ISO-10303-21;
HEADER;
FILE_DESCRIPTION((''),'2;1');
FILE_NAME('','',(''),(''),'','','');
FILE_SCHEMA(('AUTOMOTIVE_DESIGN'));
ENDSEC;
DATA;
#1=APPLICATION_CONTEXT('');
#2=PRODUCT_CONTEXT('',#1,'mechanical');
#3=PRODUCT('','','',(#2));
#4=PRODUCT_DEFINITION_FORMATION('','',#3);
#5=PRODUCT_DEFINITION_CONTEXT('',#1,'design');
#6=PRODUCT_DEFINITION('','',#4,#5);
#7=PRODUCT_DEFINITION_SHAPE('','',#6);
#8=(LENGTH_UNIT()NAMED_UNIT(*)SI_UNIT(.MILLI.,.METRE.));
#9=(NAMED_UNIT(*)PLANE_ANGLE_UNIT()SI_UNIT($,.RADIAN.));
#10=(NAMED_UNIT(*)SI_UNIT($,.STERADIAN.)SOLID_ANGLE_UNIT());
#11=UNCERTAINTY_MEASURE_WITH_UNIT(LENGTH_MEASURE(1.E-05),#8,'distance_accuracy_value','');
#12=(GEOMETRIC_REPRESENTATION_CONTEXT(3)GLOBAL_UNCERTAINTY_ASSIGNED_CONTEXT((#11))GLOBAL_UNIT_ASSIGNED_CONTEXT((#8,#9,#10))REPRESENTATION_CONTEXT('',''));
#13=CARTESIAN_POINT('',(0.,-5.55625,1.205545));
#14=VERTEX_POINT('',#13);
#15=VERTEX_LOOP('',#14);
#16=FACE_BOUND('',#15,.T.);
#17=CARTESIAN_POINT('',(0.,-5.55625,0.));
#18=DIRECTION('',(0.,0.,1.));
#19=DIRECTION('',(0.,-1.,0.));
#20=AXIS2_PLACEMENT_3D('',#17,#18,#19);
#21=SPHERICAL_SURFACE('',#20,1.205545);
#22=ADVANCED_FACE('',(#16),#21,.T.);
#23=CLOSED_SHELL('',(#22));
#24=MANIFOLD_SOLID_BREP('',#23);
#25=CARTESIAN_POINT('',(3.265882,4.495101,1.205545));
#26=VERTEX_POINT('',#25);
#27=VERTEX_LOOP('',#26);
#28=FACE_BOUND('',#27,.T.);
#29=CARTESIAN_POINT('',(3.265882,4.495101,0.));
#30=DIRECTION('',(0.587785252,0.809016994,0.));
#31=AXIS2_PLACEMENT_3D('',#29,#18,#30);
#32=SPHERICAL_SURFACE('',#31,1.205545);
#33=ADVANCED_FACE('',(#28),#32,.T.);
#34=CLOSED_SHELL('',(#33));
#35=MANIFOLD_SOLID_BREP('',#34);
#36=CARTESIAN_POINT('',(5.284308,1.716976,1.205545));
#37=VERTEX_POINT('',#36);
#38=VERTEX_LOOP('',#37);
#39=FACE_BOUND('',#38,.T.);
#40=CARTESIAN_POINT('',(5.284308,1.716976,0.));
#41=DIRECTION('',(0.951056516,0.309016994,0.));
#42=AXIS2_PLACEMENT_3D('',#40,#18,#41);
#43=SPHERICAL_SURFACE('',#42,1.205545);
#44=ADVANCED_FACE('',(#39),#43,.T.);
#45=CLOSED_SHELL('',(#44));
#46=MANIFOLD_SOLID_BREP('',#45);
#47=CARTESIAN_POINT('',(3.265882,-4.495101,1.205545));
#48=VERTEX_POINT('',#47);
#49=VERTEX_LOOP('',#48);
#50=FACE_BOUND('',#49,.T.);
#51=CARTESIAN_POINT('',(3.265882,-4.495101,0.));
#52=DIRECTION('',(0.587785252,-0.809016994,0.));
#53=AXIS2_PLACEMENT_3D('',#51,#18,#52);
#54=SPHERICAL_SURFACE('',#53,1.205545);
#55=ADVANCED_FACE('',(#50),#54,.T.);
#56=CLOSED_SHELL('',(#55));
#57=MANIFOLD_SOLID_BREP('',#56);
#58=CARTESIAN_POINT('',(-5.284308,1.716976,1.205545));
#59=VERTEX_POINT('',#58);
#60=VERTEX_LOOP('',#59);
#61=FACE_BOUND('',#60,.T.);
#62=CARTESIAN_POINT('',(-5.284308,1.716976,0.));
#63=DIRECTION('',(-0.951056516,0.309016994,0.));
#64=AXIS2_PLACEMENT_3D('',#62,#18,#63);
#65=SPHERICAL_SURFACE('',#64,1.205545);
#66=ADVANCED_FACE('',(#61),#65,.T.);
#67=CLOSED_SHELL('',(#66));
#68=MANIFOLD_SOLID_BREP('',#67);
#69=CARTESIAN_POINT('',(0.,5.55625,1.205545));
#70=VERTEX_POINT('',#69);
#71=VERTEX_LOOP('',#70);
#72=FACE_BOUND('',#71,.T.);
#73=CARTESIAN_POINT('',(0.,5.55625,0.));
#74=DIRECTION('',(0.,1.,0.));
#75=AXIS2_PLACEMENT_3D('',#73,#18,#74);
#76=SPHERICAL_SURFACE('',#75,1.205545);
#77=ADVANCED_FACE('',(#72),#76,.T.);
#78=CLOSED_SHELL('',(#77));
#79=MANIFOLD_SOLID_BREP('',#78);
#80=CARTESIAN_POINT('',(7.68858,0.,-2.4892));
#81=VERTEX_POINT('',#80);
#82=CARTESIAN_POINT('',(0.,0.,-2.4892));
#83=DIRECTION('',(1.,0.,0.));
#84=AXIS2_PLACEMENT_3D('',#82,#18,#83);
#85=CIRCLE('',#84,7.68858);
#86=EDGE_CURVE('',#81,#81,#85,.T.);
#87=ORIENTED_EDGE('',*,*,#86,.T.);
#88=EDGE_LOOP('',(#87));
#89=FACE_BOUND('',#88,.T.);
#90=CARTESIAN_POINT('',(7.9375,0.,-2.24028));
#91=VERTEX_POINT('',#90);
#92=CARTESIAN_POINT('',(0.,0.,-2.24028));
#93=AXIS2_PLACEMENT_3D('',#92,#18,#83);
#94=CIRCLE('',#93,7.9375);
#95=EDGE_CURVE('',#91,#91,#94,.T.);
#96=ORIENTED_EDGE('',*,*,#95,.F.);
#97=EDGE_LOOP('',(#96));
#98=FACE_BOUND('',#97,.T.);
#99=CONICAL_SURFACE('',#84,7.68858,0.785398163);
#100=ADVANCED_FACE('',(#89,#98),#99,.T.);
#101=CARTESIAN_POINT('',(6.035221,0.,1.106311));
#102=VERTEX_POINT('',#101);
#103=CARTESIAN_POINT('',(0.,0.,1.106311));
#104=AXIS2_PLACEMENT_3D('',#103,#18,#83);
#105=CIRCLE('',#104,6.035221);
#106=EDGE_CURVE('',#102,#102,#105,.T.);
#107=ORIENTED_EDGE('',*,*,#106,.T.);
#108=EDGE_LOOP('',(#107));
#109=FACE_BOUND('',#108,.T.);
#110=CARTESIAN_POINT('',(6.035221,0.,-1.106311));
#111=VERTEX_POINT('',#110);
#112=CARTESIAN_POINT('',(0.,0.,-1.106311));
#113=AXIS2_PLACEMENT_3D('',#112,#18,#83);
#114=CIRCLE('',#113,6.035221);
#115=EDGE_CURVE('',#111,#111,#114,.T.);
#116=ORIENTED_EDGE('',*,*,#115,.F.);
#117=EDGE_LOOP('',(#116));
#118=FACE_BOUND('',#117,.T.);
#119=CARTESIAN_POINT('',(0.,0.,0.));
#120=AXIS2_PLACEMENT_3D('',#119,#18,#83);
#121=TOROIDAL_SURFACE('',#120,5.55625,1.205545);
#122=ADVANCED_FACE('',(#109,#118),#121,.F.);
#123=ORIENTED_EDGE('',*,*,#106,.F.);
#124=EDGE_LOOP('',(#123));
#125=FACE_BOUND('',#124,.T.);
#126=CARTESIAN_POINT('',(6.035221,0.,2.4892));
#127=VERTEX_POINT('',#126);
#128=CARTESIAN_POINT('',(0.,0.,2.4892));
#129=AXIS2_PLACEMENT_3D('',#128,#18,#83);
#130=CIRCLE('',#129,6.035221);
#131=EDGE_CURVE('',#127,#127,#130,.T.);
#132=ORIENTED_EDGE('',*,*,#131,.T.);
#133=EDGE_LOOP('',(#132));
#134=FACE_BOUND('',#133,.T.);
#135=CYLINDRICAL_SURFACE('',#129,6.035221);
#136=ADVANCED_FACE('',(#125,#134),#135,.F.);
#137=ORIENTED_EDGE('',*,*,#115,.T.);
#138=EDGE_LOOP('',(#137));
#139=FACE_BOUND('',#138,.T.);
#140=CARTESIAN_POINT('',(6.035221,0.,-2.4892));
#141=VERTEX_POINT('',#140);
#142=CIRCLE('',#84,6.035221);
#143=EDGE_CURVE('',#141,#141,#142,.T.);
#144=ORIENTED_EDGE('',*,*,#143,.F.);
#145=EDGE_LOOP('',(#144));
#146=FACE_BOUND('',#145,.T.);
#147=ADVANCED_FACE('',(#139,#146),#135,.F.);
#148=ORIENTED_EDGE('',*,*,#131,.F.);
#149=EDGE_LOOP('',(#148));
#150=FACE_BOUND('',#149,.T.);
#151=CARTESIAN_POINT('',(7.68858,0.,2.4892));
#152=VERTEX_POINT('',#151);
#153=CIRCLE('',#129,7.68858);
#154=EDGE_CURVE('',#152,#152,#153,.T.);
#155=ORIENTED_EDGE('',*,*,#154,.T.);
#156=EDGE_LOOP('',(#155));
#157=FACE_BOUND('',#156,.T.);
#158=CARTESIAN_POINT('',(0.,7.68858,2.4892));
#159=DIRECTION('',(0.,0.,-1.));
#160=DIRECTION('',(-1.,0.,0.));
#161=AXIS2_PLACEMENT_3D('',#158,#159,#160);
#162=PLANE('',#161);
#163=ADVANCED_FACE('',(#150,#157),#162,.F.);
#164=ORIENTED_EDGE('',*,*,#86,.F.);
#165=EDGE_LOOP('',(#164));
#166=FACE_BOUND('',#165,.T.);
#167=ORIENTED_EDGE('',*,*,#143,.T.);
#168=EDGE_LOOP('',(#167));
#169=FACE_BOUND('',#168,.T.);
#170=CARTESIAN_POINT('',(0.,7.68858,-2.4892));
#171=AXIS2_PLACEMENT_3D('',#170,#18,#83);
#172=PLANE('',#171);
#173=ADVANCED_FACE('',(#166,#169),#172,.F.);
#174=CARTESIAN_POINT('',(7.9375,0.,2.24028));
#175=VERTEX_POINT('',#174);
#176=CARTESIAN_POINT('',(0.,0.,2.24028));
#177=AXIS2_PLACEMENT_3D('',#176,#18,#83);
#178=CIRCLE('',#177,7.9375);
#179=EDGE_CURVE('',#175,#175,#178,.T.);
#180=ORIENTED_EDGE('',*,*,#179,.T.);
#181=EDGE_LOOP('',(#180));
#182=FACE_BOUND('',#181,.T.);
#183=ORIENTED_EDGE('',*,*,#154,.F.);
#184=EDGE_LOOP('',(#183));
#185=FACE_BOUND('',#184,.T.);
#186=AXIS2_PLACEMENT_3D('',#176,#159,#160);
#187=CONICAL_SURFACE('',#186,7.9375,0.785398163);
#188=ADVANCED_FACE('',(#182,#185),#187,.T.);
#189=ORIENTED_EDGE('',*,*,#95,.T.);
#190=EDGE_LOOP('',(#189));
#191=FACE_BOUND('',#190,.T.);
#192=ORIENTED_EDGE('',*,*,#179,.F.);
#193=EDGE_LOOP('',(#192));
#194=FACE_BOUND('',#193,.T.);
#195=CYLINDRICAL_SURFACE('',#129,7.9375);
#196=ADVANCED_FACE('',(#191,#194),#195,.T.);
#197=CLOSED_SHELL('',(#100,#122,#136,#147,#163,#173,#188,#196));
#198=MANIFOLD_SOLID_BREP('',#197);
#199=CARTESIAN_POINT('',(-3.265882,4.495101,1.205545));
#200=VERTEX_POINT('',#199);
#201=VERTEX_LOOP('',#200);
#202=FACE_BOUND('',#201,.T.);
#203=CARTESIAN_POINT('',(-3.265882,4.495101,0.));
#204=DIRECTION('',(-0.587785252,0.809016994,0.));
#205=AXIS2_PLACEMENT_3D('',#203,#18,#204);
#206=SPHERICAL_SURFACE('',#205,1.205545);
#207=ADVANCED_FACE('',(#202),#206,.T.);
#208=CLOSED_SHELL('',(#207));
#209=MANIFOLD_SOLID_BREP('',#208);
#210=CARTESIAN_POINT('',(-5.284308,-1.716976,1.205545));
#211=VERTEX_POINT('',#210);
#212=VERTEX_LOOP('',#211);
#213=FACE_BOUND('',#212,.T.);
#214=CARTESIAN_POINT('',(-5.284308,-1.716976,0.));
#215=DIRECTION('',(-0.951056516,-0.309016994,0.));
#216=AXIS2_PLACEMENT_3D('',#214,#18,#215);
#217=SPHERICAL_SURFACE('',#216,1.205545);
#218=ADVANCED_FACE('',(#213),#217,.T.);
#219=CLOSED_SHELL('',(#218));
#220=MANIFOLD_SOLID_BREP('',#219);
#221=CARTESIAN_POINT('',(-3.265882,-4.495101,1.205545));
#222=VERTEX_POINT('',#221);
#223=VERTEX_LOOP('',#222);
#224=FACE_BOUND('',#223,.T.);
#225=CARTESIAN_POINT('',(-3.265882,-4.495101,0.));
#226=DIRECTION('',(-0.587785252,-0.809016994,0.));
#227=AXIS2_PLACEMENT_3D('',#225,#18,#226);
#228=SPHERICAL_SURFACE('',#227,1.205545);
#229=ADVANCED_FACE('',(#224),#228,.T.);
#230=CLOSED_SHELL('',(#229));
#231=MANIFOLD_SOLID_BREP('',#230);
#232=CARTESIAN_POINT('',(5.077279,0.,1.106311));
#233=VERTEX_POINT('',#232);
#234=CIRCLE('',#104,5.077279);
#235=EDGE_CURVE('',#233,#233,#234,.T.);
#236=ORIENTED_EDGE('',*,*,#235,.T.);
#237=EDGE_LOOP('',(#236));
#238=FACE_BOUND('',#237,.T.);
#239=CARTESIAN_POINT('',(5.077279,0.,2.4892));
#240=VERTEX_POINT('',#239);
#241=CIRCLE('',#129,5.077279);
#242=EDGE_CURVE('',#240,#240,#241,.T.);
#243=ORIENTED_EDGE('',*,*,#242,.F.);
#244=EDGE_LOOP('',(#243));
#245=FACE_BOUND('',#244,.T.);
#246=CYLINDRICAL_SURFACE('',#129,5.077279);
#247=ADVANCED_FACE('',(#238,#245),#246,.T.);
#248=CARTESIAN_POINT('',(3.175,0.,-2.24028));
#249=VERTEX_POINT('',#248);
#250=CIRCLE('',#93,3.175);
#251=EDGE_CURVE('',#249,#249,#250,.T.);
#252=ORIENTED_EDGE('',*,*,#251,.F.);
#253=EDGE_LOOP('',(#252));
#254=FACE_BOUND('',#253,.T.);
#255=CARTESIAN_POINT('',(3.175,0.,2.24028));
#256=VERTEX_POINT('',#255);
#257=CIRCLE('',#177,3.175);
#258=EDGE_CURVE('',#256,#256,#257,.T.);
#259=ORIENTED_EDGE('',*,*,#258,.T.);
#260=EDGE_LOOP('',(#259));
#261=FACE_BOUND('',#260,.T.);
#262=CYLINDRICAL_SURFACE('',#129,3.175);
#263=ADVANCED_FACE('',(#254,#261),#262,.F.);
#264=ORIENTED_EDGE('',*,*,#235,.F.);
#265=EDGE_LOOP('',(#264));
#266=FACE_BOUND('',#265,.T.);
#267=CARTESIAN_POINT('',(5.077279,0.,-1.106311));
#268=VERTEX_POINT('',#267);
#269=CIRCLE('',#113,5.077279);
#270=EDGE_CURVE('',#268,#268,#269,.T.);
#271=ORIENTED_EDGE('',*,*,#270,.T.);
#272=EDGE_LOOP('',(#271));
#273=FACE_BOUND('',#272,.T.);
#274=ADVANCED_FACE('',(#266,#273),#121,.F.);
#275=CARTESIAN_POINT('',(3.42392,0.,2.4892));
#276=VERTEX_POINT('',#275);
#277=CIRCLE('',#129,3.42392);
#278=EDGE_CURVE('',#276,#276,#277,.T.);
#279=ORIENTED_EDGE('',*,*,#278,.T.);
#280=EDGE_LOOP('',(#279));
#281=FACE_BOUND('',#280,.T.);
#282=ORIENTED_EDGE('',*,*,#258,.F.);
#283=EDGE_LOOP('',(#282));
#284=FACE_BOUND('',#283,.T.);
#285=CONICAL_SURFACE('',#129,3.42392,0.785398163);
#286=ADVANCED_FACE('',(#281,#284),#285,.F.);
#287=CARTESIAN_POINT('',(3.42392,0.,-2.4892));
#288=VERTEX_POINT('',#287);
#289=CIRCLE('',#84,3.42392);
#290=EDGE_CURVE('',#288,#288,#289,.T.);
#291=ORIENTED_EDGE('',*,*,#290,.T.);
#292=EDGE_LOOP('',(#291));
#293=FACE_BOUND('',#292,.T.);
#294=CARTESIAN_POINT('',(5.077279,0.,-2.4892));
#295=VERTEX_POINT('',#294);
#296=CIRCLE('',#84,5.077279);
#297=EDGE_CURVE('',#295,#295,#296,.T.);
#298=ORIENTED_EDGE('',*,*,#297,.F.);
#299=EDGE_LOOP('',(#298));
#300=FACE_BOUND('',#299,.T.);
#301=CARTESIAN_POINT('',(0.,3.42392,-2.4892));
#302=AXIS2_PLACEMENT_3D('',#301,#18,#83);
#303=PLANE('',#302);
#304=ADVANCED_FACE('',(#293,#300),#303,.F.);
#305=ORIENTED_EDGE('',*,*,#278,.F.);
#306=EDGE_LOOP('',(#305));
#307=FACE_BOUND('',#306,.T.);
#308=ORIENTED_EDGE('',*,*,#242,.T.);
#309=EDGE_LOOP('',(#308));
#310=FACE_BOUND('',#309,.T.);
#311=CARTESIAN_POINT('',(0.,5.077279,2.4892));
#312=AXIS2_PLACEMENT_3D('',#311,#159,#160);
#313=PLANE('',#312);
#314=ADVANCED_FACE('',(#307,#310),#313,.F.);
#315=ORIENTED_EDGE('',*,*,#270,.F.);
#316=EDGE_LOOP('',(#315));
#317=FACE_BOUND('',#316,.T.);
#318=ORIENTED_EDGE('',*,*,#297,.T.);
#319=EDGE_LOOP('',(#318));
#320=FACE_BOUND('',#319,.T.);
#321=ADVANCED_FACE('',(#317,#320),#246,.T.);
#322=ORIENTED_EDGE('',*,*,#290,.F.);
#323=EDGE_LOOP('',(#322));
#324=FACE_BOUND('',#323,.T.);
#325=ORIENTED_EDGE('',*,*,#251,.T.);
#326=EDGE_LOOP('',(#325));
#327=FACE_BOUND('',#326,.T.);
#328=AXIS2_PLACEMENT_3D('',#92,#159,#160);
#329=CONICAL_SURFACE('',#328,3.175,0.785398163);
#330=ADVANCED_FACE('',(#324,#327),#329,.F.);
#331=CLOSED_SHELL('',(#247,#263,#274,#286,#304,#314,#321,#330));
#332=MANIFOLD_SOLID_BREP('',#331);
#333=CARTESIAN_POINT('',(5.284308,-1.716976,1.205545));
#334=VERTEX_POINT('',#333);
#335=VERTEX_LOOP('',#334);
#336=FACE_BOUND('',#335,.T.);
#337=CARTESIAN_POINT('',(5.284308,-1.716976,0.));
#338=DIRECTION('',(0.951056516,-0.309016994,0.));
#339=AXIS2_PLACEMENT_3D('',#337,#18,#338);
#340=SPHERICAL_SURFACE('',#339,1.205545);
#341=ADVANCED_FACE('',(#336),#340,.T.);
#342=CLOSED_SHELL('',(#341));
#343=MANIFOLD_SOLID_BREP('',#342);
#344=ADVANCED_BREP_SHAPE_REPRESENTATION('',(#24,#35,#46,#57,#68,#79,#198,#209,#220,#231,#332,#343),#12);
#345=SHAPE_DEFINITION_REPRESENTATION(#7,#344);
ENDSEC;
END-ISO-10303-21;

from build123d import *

# Parameters (mm, degrees)
CIRPATTERN1_COUNT = 10


with BuildPart() as part:
    # Sketch1 → Revolve1 (revolve)
    with BuildSketch(Plane(origin=(0, 0, 0), x_dir=(0, 0, -1), z_dir=(1, 0, 0))):
        with BuildLine():
            Line((2.24028, 7.9375), (-2.24028, 7.9375))
            Line((-2.24028, 7.9375), (-2.4892, 7.68858))
            Line((-2.4892, 7.68858), (-2.4892, 6.035221429))
            Line((-2.4892, 6.035221429), (-1.106311111, 6.035221429))
            ThreePointArc((-1.106311111, 6.035221429), (0, 6.76179465), (1.106311111, 6.035221429))
            Line((1.106311111, 6.035221429), (2.4892, 6.035221429))
            Line((2.4892, 6.035221429), (2.4892, 7.68858))
            Line((2.4892, 7.68858), (2.24028, 7.9375))
        make_face()
    revolve(axis=Axis((0, 0, 2.4892), (0, 0, -1)))


with BuildPart() as body_2:
    # Sketch3 → Revolve3 (revolve)
    with BuildSketch(Plane(origin=(0, 0, 0), x_dir=(0, 0, -1), z_dir=(1, 0, 0))):
        with BuildLine():
            Line((-2.4892, 5.077278571), (-1.106311111, 5.077278571))
            ThreePointArc((-1.106311111, 5.077278571), (0, 4.35070535), (1.106311111, 5.077278571))
            Line((1.106311111, 5.077278571), (2.4892, 5.077278571))
            Line((2.4892, 5.077278571), (2.4892, 3.42392))
            Line((2.4892, 3.42392), (2.24028, 3.175))
            Line((2.24028, 3.175), (-2.24028, 3.175))
            Line((-2.24028, 3.175), (-2.4892, 3.42392))
            Line((-2.4892, 3.42392), (-2.4892, 5.077278571))
        make_face()
    revolve(axis=Axis((0, 0, 2.4892), (0, 0, -1)))


with BuildPart() as body_3:
    # Sketch4 → Revolve4 (revolve)
    with BuildSketch(Plane(origin=(0, 0, 0), x_dir=(0, 0, -1), z_dir=(1, 0, 0))):
        with BuildLine():
            Line((-1.20554465, 5.55625), (1.20554465, 5.55625))
            ThreePointArc((1.20554465, 5.55625), (0, 6.76179465), (-1.20554465, 5.55625))
        make_face()
    revolve(axis=Axis((0, 5.55625, 1.20554465), (0, 0, -1)))


with BuildPart() as cirpattern1_1:
    # CirPattern1: pattern copy
    add(body_3.part.rotate(Axis((0, 0, -2.4892), (0, 0, 1)), 1 * 360 / CIRPATTERN1_COUNT))


with BuildPart() as cirpattern1_2:
    # CirPattern1: pattern copy
    add(body_3.part.rotate(Axis((0, 0, -2.4892), (0, 0, 1)), 2 * 360 / CIRPATTERN1_COUNT))


with BuildPart() as cirpattern1_3:
    # CirPattern1: pattern copy
    add(body_3.part.rotate(Axis((0, 0, -2.4892), (0, 0, 1)), 3 * 360 / CIRPATTERN1_COUNT))


with BuildPart() as cirpattern1_4:
    # CirPattern1: pattern copy
    add(body_3.part.rotate(Axis((0, 0, -2.4892), (0, 0, 1)), 4 * 360 / CIRPATTERN1_COUNT))


with BuildPart() as cirpattern1_5:
    # CirPattern1: pattern copy
    add(body_3.part.rotate(Axis((0, 0, -2.4892), (0, 0, 1)), 5 * 360 / CIRPATTERN1_COUNT))


with BuildPart() as cirpattern1_6:
    # CirPattern1: pattern copy
    add(body_3.part.rotate(Axis((0, 0, -2.4892), (0, 0, 1)), 6 * 360 / CIRPATTERN1_COUNT))


with BuildPart() as cirpattern1_7:
    # CirPattern1: pattern copy
    add(body_3.part.rotate(Axis((0, 0, -2.4892), (0, 0, 1)), 7 * 360 / CIRPATTERN1_COUNT))


with BuildPart() as cirpattern1_8:
    # CirPattern1: pattern copy
    add(body_3.part.rotate(Axis((0, 0, -2.4892), (0, 0, 1)), 8 * 360 / CIRPATTERN1_COUNT))


with BuildPart() as cirpattern1_9:
    # CirPattern1: pattern copy
    add(body_3.part.rotate(Axis((0, 0, -2.4892), (0, 0, 1)), 9 * 360 / CIRPATTERN1_COUNT))


solid = Compound([part.part, body_2.part, body_3.part, cirpattern1_1.part, cirpattern1_2.part, cirpattern1_3.part, cirpattern1_4.part, cirpattern1_5.part, cirpattern1_6.part, cirpattern1_7.part, cirpattern1_8.part, cirpattern1_9.part])
